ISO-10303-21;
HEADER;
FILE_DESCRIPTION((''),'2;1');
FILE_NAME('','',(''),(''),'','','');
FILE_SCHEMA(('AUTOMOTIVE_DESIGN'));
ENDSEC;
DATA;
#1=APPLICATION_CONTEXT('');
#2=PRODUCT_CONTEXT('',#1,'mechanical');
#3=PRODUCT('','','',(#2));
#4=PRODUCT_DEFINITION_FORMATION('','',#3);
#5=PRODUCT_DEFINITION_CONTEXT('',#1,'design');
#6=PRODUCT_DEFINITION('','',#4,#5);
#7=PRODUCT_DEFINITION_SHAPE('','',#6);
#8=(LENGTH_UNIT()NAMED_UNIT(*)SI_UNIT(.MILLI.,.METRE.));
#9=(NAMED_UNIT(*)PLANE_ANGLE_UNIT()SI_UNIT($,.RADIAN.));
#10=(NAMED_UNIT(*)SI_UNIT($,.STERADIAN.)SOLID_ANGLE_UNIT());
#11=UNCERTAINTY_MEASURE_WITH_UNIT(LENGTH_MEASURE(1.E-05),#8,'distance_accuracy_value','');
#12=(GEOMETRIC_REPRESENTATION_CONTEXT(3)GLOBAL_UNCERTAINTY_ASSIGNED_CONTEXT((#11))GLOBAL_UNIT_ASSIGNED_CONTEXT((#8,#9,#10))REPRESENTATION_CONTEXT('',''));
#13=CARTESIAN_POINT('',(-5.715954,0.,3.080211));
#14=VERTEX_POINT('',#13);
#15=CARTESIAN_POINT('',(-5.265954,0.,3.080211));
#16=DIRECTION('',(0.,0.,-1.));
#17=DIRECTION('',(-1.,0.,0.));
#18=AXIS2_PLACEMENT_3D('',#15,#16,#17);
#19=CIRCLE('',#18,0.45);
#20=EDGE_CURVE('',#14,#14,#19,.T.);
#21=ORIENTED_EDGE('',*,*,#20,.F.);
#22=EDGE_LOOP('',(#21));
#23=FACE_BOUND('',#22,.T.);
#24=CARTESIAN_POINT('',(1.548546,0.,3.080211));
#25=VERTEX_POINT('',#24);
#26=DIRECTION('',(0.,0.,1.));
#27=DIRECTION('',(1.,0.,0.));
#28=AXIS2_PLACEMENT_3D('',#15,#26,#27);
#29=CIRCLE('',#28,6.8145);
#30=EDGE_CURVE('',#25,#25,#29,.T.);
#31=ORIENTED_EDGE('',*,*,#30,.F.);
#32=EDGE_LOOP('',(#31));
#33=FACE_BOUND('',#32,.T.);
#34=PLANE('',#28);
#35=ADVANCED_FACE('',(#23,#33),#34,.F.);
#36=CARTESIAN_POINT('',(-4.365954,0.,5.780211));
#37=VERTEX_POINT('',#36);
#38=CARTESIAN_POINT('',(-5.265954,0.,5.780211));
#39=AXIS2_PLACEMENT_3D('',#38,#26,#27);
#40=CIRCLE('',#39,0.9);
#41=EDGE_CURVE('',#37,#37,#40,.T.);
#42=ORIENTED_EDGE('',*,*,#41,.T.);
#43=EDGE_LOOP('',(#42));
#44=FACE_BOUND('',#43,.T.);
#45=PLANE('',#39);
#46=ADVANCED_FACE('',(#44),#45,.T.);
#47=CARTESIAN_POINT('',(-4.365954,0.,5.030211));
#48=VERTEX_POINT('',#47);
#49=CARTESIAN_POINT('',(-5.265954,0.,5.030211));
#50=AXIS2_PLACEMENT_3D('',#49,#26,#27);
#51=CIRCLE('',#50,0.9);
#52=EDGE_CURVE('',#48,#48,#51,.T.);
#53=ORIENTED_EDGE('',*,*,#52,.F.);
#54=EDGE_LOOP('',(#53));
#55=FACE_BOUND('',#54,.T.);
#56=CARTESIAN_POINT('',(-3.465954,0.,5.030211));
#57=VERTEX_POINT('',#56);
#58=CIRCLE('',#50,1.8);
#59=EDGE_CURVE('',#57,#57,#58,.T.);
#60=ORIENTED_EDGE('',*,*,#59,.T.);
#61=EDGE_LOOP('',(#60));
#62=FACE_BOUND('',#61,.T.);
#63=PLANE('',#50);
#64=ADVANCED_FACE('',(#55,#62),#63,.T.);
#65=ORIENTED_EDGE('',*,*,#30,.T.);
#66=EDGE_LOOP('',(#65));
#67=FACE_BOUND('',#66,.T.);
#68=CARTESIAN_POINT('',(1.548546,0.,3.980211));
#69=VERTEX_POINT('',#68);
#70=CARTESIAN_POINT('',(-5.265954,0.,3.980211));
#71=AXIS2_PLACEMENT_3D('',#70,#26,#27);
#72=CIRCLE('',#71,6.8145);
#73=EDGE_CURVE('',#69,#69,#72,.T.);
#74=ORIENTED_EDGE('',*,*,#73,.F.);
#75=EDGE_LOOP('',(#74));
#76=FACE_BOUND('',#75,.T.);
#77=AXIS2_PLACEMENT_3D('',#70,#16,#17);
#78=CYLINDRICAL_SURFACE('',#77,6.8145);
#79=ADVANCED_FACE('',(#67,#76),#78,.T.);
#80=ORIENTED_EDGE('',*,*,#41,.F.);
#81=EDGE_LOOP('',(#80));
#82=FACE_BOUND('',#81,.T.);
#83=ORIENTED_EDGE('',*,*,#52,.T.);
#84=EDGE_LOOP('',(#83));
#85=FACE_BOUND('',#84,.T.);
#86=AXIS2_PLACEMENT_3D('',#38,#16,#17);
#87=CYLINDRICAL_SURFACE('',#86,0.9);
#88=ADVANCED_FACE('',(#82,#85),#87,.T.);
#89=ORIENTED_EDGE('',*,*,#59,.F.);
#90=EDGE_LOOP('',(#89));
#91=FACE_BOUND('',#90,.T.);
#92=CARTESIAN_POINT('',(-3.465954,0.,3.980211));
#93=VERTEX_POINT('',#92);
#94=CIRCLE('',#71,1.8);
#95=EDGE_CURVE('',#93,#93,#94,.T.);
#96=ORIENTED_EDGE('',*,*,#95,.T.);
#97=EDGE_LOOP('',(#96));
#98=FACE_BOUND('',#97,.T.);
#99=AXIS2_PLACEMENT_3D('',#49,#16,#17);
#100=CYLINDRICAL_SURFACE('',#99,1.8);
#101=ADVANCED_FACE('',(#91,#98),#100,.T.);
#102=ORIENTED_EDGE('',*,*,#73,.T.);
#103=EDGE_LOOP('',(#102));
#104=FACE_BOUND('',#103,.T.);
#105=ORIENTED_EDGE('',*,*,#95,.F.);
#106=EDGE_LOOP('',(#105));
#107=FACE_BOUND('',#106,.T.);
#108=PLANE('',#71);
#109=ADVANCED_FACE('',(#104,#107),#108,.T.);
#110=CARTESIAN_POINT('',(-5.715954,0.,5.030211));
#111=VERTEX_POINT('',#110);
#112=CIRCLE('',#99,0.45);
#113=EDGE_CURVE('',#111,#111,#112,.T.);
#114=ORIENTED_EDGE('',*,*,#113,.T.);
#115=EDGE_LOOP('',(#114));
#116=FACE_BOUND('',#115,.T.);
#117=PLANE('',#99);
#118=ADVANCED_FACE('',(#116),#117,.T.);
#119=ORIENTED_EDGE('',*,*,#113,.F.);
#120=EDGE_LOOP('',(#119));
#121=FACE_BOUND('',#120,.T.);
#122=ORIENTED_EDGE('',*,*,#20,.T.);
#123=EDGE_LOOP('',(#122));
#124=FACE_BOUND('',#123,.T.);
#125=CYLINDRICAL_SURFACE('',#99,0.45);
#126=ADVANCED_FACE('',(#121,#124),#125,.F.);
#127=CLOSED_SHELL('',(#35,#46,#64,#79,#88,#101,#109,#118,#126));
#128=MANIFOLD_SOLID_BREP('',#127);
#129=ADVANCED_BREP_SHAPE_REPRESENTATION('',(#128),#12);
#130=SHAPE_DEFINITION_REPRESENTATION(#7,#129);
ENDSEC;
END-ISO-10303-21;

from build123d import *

# Parameters (mm, degrees)
SKETCH2_R           = 45.43
BOSS_EXTRUDE2_DEPTH = 6
SKETCH3_R           = 12
BOSS_EXTRUDE3_DEPTH = 7
SKETCH4_R           = 6
BOSS_EXTRUDE4_DEPTH = 5
SKETCH5_R           = 3
CUT_EXTRUDE1_DEPTH  = 13
SCALE1_SCALE        = 0.15


with BuildPart() as part:
    # Sketch2 → Boss-Extrude2 (new body)
    with BuildSketch(Plane.XY):
        with Locations((-5.265954001, 0)):
            Circle(SKETCH2_R)
    extrude(amount=BOSS_EXTRUDE2_DEPTH)

    # Sketch3 → Boss-Extrude3 (add)
    with BuildSketch(Plane.XY.offset(6)):
        with Locations((-5.265954001, 0)):
            Circle(SKETCH3_R)
    extrude(amount=BOSS_EXTRUDE3_DEPTH)

    # Sketch4 → Boss-Extrude4 (add)
    with BuildSketch(Plane.XY.offset(13)):
        with Locations((-5.265954001, 0)):
            Circle(SKETCH4_R)
    extrude(amount=BOSS_EXTRUDE4_DEPTH)

    # Sketch5 → Cut-Extrude1 (cut)
    with BuildSketch(Plane(origin=(0, 0, 0), x_dir=(-1, 0, 0), z_dir=(0, 0, -1))):
        with Locations((5.265954001, 0)):
            Circle(SKETCH5_R)
    extrude(amount=-CUT_EXTRUDE1_DEPTH, mode=Mode.SUBTRACT)


with BuildPart() as part_1:
    # Scale1: scaled about (-5.265954001, 0, 3.623777836)
    add(part.part.scale(SCALE1_SCALE).moved(Location((-4.476060901, 0, 3.080211161))))


solid = part_1.part
